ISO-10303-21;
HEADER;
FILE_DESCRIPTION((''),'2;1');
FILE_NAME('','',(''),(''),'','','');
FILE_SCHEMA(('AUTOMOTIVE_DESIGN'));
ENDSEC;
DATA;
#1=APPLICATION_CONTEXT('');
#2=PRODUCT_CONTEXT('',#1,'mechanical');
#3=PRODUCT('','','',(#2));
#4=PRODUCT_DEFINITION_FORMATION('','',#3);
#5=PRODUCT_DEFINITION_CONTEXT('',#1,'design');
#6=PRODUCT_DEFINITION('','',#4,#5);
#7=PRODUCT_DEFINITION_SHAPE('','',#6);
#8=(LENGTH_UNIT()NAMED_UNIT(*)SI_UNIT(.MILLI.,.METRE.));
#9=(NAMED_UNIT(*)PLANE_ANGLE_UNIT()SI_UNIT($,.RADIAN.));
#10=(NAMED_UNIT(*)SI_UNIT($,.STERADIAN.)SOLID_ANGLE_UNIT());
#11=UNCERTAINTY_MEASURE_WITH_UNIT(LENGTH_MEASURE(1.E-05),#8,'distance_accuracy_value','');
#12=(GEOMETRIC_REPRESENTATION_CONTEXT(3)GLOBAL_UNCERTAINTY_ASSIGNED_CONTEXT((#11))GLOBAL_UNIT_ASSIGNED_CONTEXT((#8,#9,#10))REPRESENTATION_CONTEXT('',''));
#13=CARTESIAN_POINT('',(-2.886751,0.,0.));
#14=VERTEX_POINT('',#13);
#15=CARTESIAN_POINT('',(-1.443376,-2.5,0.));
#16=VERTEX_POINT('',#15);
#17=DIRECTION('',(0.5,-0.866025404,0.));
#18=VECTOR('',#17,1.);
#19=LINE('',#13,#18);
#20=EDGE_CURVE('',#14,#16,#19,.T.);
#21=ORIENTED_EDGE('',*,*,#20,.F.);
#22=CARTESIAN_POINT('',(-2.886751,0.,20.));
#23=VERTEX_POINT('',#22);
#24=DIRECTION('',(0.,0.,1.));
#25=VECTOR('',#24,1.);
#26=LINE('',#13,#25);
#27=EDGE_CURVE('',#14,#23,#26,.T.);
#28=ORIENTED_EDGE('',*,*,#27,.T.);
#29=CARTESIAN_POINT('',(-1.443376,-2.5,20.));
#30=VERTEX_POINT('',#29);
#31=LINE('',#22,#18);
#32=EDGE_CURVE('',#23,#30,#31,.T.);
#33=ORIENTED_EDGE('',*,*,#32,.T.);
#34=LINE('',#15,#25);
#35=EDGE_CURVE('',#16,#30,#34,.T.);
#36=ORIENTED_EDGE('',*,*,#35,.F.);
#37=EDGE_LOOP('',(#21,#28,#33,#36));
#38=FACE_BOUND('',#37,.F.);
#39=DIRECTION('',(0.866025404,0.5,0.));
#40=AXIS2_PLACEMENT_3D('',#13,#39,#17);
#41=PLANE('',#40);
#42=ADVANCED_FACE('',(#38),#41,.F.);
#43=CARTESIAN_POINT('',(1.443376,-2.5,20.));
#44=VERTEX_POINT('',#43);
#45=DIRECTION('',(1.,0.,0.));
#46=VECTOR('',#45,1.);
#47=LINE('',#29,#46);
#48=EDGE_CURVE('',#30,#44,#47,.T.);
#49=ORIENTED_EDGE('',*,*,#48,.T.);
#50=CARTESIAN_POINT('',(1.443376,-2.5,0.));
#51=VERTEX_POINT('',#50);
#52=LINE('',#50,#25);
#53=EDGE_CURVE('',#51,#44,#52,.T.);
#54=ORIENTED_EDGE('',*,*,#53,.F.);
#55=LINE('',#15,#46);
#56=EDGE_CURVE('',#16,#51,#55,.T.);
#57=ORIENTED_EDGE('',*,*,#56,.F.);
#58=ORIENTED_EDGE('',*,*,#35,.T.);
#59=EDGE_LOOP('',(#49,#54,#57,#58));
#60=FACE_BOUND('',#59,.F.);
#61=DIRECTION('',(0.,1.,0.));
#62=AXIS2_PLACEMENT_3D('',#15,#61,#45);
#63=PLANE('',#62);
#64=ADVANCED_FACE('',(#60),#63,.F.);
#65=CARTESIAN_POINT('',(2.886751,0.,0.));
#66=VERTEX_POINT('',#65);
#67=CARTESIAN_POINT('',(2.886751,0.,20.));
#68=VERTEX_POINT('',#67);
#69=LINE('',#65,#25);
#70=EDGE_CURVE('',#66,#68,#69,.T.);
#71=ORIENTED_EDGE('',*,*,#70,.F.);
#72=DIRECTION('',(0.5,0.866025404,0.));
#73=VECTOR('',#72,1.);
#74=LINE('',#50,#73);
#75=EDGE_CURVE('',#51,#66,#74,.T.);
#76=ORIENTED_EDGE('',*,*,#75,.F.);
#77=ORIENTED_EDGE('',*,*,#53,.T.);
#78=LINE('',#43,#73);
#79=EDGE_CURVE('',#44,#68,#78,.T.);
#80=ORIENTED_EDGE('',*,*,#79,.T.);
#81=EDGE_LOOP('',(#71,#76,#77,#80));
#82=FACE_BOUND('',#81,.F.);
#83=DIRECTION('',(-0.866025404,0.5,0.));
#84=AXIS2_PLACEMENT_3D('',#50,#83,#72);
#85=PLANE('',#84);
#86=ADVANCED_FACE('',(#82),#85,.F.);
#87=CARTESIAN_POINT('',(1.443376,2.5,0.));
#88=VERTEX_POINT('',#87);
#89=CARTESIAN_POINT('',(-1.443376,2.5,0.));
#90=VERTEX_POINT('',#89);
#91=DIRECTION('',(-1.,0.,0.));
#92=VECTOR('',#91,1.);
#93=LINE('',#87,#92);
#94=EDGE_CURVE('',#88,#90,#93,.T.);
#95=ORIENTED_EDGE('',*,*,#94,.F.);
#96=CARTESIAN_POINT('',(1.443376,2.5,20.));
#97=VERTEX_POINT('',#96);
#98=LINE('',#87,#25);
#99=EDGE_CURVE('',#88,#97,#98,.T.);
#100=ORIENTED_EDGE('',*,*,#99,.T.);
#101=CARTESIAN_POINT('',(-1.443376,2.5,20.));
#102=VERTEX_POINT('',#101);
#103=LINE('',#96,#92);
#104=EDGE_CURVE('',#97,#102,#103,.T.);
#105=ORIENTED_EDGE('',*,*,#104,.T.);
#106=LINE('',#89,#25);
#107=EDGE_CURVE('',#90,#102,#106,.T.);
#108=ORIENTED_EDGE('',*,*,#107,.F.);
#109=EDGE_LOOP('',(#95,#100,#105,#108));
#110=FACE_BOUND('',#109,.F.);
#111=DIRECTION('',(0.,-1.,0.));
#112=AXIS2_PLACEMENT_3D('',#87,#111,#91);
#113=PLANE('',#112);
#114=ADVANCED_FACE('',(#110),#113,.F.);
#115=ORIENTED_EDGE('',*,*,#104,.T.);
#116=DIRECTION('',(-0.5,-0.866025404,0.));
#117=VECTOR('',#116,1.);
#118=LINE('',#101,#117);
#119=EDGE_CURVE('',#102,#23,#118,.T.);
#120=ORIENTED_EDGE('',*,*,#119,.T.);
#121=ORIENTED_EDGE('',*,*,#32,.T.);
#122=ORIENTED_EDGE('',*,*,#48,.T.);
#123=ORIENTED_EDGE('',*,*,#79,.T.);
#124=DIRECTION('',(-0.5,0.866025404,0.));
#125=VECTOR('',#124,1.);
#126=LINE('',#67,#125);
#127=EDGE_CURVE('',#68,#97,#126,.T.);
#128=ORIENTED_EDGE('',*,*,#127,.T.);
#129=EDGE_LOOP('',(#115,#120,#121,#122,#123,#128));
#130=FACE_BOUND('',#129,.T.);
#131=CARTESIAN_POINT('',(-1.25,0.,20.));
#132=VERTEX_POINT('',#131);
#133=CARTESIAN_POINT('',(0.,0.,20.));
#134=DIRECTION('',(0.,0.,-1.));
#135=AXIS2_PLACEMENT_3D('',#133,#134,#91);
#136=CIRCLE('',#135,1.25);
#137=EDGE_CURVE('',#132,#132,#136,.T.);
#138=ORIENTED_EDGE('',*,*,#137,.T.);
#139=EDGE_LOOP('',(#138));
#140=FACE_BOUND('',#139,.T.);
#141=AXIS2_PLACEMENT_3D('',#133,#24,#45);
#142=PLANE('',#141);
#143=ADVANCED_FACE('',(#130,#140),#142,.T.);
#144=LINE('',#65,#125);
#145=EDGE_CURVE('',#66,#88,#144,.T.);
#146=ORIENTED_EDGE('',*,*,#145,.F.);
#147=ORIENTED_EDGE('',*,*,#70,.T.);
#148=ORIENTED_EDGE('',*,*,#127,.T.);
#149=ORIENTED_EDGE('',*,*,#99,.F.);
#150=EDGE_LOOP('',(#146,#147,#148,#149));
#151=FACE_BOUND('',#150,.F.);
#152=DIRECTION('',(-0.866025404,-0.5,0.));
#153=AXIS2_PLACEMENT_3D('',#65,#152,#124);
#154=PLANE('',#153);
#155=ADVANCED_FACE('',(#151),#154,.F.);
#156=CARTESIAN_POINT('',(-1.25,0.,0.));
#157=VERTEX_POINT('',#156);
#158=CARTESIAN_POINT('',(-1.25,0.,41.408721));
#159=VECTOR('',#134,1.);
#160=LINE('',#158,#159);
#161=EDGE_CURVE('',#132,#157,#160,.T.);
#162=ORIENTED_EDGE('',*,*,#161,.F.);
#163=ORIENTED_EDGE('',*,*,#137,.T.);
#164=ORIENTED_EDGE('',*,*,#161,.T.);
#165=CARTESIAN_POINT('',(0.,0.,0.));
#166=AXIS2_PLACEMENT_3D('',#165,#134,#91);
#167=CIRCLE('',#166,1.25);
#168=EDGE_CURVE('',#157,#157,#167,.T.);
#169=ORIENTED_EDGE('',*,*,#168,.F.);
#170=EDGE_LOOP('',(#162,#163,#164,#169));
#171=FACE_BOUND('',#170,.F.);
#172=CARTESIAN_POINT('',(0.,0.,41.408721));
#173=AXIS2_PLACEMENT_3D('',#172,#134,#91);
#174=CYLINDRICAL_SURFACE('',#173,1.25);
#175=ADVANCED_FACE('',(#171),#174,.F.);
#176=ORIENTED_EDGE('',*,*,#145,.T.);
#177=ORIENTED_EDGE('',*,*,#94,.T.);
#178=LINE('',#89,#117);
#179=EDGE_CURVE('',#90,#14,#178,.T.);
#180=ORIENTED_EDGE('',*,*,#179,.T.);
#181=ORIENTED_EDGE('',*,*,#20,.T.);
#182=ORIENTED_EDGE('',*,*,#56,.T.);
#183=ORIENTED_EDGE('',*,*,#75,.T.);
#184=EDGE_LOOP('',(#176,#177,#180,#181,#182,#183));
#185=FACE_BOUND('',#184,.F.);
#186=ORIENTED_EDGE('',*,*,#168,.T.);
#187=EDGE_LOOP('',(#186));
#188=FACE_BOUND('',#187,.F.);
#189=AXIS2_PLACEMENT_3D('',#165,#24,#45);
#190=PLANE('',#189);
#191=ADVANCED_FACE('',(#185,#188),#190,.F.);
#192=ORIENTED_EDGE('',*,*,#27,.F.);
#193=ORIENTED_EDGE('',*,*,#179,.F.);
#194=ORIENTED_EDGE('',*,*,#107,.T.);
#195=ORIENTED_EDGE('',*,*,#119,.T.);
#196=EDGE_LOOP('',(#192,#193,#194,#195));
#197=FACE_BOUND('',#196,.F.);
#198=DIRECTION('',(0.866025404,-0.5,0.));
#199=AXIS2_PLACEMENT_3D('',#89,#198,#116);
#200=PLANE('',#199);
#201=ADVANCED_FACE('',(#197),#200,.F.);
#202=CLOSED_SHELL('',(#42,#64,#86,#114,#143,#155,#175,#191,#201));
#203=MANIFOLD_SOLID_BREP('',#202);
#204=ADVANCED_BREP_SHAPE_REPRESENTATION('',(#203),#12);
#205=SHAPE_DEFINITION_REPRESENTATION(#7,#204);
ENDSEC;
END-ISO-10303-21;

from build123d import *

# Parameters (mm, degrees)
EXTRUDE_1_DEPTH    = 20
HOLE_WIZARD_M3_1_D = 2.5


with BuildPart() as part:
    # 草图1 → 凸台-拉伸1 (new body)
    with BuildSketch(Plane.XY):
        Polygon((1.443375673, 2.5), (-1.443375673, 2.5), (-2.886751346, 0), (-1.443375673, -2.5), (1.443375673, -2.5), (2.886751346, 0), align=None)
    extrude(amount=EXTRUDE_1_DEPTH)

    # M3 螺纹孔1 (through all)
    with Locations(Plane.XY.offset(20)):
        with Locations((0, 0)):
            Hole(HOLE_WIZARD_M3_1_D / 2)


solid = part.part
